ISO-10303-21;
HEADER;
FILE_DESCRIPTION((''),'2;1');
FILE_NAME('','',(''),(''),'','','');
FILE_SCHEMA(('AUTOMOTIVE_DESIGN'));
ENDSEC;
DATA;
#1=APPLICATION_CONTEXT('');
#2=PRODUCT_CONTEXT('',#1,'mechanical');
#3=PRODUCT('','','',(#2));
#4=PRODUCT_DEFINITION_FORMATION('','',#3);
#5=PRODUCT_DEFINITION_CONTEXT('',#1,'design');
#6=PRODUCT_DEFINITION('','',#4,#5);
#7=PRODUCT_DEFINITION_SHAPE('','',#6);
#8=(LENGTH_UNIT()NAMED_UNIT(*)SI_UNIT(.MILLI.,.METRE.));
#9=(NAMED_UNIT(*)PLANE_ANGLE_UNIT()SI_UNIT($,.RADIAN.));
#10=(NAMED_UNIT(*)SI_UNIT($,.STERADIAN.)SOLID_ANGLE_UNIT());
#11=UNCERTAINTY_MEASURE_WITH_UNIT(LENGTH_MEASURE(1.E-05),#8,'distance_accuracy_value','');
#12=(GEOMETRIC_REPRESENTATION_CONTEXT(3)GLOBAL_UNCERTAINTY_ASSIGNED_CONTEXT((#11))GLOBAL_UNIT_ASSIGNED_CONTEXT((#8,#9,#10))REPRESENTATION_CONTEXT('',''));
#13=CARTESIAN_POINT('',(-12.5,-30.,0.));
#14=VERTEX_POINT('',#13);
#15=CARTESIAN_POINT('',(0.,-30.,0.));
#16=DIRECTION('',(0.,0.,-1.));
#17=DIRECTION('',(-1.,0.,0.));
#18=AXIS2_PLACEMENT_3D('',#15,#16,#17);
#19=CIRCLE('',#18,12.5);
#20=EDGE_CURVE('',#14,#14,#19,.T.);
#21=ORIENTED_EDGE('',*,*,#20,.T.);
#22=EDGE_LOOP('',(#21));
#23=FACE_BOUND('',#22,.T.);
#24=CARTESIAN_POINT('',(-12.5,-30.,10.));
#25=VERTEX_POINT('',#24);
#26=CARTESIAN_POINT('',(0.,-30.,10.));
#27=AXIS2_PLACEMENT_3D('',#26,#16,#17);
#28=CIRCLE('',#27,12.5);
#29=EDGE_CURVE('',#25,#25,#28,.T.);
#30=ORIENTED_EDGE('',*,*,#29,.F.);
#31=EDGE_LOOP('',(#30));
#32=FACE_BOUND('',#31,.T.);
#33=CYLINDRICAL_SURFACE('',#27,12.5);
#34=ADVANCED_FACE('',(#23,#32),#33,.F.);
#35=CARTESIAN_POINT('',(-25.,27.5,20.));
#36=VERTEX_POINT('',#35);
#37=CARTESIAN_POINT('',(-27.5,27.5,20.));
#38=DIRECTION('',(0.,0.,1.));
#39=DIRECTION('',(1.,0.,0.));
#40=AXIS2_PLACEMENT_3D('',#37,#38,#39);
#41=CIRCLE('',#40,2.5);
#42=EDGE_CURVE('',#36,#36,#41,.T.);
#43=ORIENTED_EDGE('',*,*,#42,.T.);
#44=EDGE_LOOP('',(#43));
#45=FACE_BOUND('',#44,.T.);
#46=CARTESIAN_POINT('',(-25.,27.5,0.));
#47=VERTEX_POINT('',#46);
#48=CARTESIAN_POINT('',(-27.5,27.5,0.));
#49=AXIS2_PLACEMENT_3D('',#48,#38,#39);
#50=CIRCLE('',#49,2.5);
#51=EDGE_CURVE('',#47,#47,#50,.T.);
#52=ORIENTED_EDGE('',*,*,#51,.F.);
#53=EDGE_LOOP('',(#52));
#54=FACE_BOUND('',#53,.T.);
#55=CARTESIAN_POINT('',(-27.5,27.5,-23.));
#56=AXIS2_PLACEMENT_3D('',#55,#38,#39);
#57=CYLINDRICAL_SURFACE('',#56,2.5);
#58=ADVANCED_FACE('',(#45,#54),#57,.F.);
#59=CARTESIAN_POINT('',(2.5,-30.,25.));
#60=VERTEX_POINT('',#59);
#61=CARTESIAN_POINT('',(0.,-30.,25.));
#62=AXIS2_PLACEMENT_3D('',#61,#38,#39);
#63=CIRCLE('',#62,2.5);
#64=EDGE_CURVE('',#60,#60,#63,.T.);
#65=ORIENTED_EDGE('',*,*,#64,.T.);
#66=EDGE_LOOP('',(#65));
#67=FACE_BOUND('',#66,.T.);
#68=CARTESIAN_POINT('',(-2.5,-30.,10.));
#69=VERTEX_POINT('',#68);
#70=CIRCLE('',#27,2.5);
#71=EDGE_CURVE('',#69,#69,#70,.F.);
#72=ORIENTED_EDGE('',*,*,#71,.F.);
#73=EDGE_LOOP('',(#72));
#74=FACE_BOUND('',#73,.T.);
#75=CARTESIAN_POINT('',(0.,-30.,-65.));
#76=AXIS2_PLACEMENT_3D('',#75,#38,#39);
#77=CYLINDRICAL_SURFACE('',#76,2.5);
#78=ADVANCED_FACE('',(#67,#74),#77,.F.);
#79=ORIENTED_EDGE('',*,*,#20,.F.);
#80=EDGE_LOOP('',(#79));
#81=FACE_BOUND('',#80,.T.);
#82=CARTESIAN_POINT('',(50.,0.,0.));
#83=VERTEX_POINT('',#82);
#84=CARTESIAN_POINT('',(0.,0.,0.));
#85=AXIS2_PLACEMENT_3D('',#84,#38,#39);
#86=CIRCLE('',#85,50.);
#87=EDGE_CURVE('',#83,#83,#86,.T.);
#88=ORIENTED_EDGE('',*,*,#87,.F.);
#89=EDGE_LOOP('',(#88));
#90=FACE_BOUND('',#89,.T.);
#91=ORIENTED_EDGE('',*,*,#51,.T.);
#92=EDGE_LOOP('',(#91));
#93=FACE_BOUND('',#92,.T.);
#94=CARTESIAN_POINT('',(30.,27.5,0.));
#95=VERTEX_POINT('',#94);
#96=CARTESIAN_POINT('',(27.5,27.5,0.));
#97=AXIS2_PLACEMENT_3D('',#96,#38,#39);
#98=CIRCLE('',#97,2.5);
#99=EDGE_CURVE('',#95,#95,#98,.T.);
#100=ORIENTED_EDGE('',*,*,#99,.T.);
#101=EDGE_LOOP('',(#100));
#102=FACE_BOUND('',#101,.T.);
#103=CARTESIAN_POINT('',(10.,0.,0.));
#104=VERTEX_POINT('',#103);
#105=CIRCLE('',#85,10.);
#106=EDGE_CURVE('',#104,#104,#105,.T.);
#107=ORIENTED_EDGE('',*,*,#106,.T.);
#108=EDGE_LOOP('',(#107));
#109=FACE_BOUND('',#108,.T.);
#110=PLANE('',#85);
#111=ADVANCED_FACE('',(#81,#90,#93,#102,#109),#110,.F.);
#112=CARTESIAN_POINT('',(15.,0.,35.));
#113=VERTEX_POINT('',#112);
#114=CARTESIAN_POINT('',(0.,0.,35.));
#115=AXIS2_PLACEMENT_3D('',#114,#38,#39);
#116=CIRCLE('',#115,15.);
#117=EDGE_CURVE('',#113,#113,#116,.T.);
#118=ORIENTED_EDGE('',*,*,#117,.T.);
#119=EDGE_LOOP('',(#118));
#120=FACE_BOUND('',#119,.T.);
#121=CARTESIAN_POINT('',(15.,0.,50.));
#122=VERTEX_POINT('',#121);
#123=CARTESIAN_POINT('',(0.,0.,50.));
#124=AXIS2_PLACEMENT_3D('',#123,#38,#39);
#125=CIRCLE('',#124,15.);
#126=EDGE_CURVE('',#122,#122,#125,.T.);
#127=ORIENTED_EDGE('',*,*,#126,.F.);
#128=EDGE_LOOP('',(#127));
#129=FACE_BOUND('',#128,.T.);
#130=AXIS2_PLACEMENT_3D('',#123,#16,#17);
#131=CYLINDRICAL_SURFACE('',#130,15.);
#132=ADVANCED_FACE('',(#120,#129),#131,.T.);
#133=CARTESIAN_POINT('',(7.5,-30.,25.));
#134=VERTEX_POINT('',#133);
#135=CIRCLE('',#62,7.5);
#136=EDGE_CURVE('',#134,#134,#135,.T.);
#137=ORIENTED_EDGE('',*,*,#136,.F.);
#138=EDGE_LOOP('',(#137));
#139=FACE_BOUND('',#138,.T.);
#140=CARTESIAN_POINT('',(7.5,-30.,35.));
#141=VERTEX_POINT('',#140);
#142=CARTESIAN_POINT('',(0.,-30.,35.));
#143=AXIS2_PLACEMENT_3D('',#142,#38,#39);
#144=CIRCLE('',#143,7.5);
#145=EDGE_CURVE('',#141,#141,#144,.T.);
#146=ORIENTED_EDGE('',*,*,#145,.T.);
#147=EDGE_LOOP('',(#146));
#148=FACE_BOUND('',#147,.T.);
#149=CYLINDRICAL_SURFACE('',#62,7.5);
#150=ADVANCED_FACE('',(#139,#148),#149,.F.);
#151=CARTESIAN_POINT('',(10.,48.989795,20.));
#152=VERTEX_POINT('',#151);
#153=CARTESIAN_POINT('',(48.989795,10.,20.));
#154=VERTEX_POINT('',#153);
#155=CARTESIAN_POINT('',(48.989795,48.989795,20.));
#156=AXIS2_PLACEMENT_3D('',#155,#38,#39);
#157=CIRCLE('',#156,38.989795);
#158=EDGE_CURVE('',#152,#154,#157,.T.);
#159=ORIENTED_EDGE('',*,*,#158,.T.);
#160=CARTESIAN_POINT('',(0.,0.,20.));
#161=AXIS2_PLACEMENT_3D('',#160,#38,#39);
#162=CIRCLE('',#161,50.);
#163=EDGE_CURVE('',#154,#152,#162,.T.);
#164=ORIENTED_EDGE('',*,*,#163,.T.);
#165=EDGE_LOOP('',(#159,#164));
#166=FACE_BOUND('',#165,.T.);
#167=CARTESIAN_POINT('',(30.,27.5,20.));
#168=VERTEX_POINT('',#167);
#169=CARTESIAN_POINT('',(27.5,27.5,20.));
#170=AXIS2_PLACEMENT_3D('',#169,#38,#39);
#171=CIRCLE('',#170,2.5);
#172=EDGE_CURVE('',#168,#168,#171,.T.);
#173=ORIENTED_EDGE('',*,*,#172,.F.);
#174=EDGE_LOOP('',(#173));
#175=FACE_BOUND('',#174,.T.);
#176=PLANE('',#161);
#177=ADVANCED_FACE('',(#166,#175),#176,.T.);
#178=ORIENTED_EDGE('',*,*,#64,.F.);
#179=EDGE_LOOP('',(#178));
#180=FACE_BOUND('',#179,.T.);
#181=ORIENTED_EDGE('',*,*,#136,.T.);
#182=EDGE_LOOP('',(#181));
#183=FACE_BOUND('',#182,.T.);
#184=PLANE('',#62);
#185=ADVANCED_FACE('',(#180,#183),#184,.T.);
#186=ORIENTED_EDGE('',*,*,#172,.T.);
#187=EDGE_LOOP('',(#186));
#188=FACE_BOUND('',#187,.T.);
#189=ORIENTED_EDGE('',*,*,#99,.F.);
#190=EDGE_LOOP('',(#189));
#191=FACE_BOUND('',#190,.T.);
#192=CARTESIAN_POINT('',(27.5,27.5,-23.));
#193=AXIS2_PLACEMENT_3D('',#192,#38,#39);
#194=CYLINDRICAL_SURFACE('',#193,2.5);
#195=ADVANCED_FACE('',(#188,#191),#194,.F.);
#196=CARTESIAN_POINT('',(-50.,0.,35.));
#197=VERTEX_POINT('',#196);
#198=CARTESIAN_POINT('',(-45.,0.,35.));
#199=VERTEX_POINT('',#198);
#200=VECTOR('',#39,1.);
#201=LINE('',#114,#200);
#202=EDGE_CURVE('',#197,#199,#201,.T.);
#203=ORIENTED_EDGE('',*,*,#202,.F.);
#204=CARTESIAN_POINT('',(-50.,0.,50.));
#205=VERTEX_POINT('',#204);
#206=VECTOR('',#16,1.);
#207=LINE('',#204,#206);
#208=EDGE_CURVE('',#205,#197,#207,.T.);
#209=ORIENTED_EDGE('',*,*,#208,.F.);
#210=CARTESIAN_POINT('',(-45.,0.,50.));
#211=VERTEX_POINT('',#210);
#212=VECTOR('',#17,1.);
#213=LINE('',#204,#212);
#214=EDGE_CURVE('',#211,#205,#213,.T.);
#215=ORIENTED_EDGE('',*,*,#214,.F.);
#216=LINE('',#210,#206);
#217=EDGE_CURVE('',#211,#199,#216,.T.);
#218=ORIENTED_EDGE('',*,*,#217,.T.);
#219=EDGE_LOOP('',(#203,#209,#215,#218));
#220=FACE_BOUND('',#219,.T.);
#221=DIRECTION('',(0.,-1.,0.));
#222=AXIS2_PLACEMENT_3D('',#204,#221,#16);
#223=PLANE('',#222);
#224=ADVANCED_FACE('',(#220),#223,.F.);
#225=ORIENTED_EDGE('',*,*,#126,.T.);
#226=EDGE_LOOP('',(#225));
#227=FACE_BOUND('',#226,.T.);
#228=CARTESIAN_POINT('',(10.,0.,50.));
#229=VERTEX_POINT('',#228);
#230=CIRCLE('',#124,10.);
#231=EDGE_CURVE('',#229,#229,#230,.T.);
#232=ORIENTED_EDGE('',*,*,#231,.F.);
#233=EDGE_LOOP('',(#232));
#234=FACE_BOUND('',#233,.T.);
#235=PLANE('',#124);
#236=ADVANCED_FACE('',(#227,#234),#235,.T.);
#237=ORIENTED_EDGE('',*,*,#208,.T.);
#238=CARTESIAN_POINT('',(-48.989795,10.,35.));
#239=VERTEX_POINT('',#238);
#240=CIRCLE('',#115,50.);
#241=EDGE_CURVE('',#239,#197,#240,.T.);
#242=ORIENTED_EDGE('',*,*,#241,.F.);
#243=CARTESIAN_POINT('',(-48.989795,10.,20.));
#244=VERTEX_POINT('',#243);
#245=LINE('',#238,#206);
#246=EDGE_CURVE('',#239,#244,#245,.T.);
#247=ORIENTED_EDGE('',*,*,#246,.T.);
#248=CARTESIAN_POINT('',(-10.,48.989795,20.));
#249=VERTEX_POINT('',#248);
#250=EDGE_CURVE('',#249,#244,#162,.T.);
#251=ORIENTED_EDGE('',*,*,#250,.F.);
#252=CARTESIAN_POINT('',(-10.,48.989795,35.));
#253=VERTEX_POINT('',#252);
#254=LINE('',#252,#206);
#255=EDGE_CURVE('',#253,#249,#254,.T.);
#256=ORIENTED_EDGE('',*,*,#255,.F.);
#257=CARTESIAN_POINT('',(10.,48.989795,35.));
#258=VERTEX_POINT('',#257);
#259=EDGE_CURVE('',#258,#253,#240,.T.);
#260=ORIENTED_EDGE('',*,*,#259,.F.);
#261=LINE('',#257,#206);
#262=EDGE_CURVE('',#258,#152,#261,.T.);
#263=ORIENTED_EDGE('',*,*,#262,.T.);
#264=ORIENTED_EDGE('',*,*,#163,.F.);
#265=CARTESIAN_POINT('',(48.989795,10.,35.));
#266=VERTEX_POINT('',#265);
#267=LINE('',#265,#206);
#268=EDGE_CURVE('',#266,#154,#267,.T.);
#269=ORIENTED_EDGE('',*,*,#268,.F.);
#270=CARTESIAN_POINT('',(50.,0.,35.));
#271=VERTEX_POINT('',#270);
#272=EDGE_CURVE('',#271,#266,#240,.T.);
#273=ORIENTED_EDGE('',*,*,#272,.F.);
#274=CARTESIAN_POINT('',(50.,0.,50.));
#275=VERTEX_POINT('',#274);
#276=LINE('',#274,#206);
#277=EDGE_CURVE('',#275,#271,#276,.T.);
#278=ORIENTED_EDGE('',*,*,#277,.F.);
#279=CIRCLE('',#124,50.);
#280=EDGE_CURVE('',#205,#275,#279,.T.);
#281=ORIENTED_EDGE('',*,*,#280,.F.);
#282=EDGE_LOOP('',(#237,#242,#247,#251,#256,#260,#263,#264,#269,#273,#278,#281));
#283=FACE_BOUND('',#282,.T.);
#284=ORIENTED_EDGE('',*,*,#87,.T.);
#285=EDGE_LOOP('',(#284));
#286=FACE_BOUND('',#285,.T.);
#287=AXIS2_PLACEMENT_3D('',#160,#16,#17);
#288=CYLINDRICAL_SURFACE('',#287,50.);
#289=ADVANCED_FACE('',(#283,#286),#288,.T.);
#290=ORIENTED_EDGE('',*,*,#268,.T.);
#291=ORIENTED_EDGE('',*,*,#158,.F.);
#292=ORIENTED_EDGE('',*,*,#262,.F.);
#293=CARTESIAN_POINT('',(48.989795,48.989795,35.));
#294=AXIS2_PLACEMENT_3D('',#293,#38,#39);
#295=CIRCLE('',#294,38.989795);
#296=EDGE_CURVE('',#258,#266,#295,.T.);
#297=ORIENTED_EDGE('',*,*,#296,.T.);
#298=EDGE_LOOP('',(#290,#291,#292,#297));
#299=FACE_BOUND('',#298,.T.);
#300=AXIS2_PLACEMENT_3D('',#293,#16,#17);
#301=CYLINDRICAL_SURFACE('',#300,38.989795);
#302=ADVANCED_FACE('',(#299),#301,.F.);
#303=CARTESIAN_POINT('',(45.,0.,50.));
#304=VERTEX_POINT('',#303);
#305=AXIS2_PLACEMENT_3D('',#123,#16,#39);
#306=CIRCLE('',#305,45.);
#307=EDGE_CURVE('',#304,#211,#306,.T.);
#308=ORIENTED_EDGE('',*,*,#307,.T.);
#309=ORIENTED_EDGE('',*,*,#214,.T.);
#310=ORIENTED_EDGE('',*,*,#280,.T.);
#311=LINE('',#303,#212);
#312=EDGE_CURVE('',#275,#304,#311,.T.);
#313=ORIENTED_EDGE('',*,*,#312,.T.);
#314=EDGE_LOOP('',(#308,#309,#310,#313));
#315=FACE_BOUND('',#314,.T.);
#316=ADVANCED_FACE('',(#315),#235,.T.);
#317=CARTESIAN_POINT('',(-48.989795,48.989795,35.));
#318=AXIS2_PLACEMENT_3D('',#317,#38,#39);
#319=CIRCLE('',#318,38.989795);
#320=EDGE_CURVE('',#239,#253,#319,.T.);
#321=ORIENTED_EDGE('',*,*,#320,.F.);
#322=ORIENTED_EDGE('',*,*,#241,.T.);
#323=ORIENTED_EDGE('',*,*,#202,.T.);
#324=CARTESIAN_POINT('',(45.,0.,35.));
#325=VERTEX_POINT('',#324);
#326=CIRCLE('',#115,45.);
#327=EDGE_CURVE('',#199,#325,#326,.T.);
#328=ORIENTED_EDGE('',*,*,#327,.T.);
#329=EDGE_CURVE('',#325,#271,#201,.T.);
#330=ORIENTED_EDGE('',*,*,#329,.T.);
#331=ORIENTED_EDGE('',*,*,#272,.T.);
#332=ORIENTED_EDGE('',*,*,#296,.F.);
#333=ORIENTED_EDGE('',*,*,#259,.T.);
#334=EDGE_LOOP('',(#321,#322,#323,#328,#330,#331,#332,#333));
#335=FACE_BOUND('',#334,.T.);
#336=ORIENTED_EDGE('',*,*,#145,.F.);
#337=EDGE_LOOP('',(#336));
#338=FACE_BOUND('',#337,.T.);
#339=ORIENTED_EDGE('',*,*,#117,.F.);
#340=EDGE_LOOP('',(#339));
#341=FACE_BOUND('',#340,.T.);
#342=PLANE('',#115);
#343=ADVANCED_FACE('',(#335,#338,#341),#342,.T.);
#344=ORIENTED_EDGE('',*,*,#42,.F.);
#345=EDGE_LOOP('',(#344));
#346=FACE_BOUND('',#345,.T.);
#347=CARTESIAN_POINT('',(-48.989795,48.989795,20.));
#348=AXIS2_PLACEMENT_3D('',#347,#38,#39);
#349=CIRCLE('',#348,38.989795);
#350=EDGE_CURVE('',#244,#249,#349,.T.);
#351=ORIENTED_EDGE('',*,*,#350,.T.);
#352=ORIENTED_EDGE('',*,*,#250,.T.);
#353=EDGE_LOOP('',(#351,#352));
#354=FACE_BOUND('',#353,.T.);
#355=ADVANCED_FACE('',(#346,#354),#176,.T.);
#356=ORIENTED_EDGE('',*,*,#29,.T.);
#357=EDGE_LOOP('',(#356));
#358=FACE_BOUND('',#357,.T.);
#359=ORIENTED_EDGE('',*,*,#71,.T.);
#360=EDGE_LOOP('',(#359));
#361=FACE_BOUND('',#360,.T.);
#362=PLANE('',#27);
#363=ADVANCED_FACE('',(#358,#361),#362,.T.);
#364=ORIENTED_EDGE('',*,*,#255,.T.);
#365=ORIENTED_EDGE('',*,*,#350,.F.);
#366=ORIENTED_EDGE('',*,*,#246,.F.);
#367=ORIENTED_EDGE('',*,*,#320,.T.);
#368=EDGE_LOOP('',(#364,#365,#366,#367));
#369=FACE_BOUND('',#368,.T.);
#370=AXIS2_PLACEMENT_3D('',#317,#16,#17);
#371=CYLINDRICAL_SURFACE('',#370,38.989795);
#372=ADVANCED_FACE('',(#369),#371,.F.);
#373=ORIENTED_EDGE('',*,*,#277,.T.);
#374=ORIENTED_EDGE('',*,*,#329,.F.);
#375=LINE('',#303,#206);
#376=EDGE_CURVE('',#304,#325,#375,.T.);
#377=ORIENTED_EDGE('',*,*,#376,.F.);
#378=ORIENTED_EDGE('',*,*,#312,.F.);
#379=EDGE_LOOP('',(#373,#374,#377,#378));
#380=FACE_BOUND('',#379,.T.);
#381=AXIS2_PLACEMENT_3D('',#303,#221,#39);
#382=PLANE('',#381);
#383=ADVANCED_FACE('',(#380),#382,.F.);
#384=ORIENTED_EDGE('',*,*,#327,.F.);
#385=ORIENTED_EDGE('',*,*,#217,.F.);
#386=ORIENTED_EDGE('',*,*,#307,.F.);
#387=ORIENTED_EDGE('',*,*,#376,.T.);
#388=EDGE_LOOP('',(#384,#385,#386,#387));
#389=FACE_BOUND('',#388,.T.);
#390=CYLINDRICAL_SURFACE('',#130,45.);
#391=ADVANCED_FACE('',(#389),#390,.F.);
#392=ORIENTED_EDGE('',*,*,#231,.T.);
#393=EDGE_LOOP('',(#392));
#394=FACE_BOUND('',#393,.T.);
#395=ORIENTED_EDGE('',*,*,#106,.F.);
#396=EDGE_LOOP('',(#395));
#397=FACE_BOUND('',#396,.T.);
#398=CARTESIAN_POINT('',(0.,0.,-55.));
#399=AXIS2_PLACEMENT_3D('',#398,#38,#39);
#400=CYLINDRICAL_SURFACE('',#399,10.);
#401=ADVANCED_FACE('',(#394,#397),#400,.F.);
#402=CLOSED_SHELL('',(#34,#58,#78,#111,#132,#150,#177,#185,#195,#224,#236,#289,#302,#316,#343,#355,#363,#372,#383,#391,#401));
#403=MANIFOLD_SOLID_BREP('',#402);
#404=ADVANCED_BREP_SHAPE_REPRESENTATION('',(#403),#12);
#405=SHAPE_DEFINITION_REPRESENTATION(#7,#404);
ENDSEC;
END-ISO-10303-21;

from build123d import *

# Parameters (mm, degrees)
SKETCH1_R           = 50
BOSS_EXTRUDE1_DEPTH = 20
BOSS_EXTRUDE3_DEPTH = 30
BOSS_EXTRUDE7_DEPTH = 15
SKETCH5_R           = 2.5
CUT_EXTRUDE1_DEPTH  = 43
SKETCH8_R           = 7.5
CUT_EXTRUDE4_DEPTH  = 10
SKETCH9_R           = 2.5
CUT_EXTRUDE5_DEPTH  = 90
SKETCH10_R          = 12.5
CUT_EXTRUDE6_DEPTH  = 10
SKETCH11_R          = 15
BOSS_EXTRUDE8_DEPTH = 15
SKETCH12_R          = 10
CUT_EXTRUDE7_DEPTH  = 105


with BuildPart() as part:
    # Sketch1 → Boss-Extrude1 (new body)
    with BuildSketch(Plane.XY):
        Circle(SKETCH1_R)
    extrude(amount=BOSS_EXTRUDE1_DEPTH)

    # Sketch2 → Boss-Extrude3 (add)
    with BuildSketch(Plane.XY.offset(20)):
        with BuildLine():
            Line((-50, 0), (-45, 0))
            ThreePointArc((-45, 0), (0, -45), (45, 0))
            Line((45, 0), (50, 0))
            ThreePointArc((50, 0), (0, -50), (-50, 0))
        make_face()
    extrude(amount=BOSS_EXTRUDE3_DEPTH)

    # Sketch4 → Boss-Extrude7 (add)
    with BuildSketch(Plane.XY.offset(20)):
        with BuildLine():
            ThreePointArc((-48.989794856, 10), (-49.74680765, 5.0254481), (-50, 0))
            Line((-50, 0), (-45, 0))
            ThreePointArc((-45, 0), (0, -45), (45, 0))
            Line((45, 0), (50, 0))
            ThreePointArc((50, 0), (49.74680765, 5.0254481), (48.989794856, 10))
            ThreePointArc((48.989794856, 10), (21.419846516, 21.419846516), (10, 48.989794856))
            ThreePointArc((10, 48.989794856), (0, 50), (-10, 48.989794856))
            ThreePointArc((-10, 48.989794856), (-21.419846516, 21.419846516), (-48.989794856, 10))
        make_face()
    extrude(amount=BOSS_EXTRUDE7_DEPTH)

    # Sketch5 → Cut-Extrude1 (cut)
    with BuildSketch(Plane.XY.offset(20)):
        with Locations((-27.5, 27.5)):
            Circle(SKETCH5_R)
        with Locations((27.5, 27.5)):
            Circle(SKETCH5_R)
    extrude(amount=-CUT_EXTRUDE1_DEPTH, mode=Mode.SUBTRACT)

    # Sketch8 → Cut-Extrude4 (cut)
    with BuildSketch(Plane.XY.offset(35)):
        with Locations((0, -30)):
            Circle(SKETCH8_R)
    extrude(amount=-CUT_EXTRUDE4_DEPTH, mode=Mode.SUBTRACT)

    # Sketch9 → Cut-Extrude5 (cut)
    with BuildSketch(Plane.XY.offset(25)):
        with Locations((0, -30)):
            Circle(SKETCH9_R)
    extrude(amount=-CUT_EXTRUDE5_DEPTH, mode=Mode.SUBTRACT)

    # Sketch10 → Cut-Extrude6 (cut)
    with BuildSketch(Plane(origin=(0, 0, 0), x_dir=(-1, 0, 0), z_dir=(0, 0, -1))):
        with Locations((0, -30)):
            Circle(SKETCH10_R)
    extrude(amount=-CUT_EXTRUDE6_DEPTH, mode=Mode.SUBTRACT)

    # Sketch11 → Boss-Extrude8 (add)
    with BuildSketch(Plane.XY.offset(35)):
        Circle(SKETCH11_R)
    extrude(amount=BOSS_EXTRUDE8_DEPTH)

    # Sketch12 → Cut-Extrude7 (cut)
    with BuildSketch(Plane.XY.offset(50)):
        Circle(SKETCH12_R)
    extrude(amount=-CUT_EXTRUDE7_DEPTH, mode=Mode.SUBTRACT)


solid = part.part
